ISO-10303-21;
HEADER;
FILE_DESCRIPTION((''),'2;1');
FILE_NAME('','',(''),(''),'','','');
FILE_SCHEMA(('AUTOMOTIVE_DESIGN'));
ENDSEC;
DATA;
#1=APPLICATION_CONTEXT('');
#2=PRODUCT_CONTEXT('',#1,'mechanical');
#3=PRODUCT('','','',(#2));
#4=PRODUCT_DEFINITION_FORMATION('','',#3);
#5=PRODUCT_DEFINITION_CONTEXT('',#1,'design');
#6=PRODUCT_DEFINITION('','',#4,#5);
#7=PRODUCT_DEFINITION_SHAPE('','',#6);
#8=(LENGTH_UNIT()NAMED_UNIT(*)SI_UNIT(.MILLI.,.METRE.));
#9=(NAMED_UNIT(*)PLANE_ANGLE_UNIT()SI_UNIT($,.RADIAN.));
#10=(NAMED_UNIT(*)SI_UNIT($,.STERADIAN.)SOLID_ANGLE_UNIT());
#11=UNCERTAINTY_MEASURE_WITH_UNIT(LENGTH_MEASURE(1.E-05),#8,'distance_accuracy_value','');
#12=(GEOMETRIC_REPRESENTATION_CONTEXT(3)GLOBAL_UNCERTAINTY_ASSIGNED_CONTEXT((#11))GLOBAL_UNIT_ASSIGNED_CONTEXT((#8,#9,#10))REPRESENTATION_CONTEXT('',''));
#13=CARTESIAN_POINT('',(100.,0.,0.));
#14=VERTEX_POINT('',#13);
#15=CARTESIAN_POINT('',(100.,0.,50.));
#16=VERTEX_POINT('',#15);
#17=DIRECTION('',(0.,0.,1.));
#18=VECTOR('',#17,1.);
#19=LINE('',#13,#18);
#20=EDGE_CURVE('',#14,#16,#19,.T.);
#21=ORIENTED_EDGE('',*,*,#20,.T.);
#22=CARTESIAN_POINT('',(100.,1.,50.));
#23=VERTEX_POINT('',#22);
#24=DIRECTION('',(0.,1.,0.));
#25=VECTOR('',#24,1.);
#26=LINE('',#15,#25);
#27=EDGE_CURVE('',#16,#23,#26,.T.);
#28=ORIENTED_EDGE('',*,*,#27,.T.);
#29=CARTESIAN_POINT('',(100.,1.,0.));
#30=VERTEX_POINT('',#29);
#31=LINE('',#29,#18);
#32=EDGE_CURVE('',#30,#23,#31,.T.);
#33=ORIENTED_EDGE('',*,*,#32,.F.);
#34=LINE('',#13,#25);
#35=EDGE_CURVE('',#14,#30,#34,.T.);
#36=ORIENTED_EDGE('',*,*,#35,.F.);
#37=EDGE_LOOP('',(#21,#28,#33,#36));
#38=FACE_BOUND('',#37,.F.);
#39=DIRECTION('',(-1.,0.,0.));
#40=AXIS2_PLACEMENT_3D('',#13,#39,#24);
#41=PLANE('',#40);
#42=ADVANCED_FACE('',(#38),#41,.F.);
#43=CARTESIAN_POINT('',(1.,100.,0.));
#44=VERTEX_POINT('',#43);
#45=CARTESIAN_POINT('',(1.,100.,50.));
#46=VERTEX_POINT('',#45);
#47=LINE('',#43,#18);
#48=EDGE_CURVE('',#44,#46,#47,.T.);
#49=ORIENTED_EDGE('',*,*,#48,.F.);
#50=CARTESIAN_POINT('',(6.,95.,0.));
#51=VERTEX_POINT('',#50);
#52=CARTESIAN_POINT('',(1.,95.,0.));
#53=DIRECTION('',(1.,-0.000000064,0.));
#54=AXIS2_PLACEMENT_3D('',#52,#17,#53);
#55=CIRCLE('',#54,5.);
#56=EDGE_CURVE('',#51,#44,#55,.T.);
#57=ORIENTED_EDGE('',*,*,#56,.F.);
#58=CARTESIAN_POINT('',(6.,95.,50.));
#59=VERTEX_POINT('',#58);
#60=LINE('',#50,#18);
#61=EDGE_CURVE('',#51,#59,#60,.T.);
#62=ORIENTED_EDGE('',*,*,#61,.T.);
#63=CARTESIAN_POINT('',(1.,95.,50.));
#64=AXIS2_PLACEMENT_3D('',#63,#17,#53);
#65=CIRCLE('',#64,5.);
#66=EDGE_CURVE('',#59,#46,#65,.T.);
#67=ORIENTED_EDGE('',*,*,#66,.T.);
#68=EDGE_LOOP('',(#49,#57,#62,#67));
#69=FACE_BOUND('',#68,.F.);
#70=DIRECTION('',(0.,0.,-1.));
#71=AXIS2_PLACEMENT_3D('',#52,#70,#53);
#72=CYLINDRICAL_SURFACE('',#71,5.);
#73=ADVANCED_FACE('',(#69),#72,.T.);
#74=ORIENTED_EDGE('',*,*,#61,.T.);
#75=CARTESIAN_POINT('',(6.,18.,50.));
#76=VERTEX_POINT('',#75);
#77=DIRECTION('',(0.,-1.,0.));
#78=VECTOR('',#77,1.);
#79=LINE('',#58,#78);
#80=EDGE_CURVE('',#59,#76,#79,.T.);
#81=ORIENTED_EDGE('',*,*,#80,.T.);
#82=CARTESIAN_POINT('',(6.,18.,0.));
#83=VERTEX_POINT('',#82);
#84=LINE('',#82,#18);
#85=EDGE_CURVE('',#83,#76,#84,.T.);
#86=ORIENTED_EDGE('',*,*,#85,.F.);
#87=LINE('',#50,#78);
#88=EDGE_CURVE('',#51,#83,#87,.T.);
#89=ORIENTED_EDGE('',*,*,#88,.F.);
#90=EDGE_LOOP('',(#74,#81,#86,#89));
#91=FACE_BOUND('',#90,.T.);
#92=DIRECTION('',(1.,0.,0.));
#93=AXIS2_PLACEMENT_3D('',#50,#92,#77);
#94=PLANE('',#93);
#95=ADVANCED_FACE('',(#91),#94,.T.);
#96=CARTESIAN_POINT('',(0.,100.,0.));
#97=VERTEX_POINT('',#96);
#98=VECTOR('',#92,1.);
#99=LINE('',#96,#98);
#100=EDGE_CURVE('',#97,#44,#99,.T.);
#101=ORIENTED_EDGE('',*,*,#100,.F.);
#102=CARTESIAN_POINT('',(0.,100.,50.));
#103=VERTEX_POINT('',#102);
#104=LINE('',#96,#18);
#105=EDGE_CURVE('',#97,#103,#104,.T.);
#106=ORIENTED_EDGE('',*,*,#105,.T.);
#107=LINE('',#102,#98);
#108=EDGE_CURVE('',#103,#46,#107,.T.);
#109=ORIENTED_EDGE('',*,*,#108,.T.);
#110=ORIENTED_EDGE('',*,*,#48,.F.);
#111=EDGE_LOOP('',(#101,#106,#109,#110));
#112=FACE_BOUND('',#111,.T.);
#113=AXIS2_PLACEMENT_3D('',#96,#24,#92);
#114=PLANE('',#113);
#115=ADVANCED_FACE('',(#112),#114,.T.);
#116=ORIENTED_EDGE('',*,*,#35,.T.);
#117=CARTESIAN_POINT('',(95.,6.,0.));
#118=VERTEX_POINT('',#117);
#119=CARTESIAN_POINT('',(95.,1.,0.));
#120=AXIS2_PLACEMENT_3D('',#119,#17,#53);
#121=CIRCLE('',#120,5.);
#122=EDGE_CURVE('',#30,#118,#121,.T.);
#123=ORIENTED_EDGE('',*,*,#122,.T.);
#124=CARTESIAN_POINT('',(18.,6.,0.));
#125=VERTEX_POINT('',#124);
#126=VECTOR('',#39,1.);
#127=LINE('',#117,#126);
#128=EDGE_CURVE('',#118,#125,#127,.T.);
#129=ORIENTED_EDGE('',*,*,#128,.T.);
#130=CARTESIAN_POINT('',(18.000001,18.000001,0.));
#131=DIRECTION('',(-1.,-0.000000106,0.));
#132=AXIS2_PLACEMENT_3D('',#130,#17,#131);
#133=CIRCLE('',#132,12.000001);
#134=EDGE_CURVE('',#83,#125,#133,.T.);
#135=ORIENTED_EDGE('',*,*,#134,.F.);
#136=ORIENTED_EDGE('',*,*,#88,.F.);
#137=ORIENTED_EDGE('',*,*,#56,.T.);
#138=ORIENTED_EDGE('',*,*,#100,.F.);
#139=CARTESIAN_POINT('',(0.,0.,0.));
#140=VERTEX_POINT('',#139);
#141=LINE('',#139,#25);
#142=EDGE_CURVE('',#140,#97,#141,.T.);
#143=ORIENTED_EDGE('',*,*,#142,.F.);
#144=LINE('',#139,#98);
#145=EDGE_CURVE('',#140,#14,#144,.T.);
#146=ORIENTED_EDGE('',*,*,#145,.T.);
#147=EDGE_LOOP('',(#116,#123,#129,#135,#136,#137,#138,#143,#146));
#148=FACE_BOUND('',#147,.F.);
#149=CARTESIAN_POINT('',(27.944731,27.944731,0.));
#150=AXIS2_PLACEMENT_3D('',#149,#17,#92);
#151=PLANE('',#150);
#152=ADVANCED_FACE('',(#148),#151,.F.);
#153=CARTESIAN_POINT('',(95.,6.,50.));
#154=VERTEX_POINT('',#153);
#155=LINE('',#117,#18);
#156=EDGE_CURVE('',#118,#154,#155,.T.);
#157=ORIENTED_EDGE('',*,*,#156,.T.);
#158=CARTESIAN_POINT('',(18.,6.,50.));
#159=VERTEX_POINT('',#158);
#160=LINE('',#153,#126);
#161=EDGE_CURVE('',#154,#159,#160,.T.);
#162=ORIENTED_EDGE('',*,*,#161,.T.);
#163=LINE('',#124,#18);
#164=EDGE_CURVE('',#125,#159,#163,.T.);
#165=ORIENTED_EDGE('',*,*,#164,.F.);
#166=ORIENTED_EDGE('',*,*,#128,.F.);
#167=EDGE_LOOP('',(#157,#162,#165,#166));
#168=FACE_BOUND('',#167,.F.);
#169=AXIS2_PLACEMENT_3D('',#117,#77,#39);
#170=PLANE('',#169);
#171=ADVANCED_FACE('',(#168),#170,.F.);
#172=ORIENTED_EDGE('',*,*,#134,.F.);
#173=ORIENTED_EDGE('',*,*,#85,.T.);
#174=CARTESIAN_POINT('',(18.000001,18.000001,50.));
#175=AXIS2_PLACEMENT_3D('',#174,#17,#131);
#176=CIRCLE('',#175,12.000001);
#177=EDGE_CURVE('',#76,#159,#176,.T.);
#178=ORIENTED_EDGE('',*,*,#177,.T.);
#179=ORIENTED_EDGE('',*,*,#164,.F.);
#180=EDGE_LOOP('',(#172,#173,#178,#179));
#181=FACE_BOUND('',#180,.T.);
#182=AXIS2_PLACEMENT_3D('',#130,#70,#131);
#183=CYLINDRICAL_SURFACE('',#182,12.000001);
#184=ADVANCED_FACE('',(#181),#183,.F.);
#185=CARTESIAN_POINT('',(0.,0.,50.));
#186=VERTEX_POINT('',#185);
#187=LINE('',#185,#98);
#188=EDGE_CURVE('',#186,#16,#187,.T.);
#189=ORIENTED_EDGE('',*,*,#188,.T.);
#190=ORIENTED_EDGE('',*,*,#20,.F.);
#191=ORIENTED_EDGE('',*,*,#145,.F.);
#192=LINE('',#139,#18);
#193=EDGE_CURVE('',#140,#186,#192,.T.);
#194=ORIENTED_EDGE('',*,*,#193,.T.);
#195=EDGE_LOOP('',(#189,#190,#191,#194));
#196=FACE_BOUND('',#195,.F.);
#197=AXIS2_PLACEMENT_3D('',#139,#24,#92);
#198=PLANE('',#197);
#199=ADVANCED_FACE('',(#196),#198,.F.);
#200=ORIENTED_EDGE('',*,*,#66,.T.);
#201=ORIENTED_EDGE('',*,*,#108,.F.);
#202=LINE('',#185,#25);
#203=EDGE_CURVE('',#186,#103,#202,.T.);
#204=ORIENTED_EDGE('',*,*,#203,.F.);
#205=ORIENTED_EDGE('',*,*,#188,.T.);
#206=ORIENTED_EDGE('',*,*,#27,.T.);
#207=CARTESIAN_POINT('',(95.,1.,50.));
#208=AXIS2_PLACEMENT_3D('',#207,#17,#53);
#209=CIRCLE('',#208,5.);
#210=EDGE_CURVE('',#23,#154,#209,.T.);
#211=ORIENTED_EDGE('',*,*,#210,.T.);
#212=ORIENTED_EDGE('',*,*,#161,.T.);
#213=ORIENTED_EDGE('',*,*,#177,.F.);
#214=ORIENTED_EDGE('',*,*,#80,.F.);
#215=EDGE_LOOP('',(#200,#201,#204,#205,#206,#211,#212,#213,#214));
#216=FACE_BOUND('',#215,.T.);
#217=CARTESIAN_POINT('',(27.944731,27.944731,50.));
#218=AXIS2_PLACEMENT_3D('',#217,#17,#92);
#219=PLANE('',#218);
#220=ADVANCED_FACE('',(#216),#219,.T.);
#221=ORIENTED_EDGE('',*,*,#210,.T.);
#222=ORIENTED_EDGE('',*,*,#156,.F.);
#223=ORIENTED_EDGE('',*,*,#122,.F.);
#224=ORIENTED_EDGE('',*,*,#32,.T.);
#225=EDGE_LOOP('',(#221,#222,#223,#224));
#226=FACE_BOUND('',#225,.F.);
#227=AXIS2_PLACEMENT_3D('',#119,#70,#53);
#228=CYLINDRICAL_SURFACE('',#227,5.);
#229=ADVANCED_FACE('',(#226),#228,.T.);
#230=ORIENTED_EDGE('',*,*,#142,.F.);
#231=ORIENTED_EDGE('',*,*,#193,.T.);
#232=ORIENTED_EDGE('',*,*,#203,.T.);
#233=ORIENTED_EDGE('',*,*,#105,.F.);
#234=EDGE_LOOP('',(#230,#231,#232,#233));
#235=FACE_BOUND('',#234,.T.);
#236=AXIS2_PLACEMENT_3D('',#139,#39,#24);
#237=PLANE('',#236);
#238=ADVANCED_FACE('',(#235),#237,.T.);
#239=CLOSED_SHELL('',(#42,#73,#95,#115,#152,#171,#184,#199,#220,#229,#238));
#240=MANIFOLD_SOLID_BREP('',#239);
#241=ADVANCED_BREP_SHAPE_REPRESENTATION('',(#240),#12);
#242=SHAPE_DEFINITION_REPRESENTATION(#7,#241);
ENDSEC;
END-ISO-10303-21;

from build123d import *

# Parameters (mm, degrees)
EXTRUDE_DEPTH = 50


with BuildPart() as part:
    # Sketch → Extrude (new body)
    with BuildSketch(Plane.XY):
        with BuildLine():
            Line((0, 0), (100, 0))
            Line((100, 0), (100, 1))
            ThreePointArc((100, 1), (98.535534, 4.535534), (95, 6))
            Line((95, 6), (18, 6))
            ThreePointArc((6, 18), (9.514719, 9.514719), (18, 6))
            Line((6, 95), (6, 18))
            ThreePointArc((6, 95), (4.535534, 98.535534), (1, 100))
            Line((0, 100), (1, 100))
            Line((0, 0), (0, 100))
        make_face()
    extrude(amount=EXTRUDE_DEPTH)


solid = part.part
